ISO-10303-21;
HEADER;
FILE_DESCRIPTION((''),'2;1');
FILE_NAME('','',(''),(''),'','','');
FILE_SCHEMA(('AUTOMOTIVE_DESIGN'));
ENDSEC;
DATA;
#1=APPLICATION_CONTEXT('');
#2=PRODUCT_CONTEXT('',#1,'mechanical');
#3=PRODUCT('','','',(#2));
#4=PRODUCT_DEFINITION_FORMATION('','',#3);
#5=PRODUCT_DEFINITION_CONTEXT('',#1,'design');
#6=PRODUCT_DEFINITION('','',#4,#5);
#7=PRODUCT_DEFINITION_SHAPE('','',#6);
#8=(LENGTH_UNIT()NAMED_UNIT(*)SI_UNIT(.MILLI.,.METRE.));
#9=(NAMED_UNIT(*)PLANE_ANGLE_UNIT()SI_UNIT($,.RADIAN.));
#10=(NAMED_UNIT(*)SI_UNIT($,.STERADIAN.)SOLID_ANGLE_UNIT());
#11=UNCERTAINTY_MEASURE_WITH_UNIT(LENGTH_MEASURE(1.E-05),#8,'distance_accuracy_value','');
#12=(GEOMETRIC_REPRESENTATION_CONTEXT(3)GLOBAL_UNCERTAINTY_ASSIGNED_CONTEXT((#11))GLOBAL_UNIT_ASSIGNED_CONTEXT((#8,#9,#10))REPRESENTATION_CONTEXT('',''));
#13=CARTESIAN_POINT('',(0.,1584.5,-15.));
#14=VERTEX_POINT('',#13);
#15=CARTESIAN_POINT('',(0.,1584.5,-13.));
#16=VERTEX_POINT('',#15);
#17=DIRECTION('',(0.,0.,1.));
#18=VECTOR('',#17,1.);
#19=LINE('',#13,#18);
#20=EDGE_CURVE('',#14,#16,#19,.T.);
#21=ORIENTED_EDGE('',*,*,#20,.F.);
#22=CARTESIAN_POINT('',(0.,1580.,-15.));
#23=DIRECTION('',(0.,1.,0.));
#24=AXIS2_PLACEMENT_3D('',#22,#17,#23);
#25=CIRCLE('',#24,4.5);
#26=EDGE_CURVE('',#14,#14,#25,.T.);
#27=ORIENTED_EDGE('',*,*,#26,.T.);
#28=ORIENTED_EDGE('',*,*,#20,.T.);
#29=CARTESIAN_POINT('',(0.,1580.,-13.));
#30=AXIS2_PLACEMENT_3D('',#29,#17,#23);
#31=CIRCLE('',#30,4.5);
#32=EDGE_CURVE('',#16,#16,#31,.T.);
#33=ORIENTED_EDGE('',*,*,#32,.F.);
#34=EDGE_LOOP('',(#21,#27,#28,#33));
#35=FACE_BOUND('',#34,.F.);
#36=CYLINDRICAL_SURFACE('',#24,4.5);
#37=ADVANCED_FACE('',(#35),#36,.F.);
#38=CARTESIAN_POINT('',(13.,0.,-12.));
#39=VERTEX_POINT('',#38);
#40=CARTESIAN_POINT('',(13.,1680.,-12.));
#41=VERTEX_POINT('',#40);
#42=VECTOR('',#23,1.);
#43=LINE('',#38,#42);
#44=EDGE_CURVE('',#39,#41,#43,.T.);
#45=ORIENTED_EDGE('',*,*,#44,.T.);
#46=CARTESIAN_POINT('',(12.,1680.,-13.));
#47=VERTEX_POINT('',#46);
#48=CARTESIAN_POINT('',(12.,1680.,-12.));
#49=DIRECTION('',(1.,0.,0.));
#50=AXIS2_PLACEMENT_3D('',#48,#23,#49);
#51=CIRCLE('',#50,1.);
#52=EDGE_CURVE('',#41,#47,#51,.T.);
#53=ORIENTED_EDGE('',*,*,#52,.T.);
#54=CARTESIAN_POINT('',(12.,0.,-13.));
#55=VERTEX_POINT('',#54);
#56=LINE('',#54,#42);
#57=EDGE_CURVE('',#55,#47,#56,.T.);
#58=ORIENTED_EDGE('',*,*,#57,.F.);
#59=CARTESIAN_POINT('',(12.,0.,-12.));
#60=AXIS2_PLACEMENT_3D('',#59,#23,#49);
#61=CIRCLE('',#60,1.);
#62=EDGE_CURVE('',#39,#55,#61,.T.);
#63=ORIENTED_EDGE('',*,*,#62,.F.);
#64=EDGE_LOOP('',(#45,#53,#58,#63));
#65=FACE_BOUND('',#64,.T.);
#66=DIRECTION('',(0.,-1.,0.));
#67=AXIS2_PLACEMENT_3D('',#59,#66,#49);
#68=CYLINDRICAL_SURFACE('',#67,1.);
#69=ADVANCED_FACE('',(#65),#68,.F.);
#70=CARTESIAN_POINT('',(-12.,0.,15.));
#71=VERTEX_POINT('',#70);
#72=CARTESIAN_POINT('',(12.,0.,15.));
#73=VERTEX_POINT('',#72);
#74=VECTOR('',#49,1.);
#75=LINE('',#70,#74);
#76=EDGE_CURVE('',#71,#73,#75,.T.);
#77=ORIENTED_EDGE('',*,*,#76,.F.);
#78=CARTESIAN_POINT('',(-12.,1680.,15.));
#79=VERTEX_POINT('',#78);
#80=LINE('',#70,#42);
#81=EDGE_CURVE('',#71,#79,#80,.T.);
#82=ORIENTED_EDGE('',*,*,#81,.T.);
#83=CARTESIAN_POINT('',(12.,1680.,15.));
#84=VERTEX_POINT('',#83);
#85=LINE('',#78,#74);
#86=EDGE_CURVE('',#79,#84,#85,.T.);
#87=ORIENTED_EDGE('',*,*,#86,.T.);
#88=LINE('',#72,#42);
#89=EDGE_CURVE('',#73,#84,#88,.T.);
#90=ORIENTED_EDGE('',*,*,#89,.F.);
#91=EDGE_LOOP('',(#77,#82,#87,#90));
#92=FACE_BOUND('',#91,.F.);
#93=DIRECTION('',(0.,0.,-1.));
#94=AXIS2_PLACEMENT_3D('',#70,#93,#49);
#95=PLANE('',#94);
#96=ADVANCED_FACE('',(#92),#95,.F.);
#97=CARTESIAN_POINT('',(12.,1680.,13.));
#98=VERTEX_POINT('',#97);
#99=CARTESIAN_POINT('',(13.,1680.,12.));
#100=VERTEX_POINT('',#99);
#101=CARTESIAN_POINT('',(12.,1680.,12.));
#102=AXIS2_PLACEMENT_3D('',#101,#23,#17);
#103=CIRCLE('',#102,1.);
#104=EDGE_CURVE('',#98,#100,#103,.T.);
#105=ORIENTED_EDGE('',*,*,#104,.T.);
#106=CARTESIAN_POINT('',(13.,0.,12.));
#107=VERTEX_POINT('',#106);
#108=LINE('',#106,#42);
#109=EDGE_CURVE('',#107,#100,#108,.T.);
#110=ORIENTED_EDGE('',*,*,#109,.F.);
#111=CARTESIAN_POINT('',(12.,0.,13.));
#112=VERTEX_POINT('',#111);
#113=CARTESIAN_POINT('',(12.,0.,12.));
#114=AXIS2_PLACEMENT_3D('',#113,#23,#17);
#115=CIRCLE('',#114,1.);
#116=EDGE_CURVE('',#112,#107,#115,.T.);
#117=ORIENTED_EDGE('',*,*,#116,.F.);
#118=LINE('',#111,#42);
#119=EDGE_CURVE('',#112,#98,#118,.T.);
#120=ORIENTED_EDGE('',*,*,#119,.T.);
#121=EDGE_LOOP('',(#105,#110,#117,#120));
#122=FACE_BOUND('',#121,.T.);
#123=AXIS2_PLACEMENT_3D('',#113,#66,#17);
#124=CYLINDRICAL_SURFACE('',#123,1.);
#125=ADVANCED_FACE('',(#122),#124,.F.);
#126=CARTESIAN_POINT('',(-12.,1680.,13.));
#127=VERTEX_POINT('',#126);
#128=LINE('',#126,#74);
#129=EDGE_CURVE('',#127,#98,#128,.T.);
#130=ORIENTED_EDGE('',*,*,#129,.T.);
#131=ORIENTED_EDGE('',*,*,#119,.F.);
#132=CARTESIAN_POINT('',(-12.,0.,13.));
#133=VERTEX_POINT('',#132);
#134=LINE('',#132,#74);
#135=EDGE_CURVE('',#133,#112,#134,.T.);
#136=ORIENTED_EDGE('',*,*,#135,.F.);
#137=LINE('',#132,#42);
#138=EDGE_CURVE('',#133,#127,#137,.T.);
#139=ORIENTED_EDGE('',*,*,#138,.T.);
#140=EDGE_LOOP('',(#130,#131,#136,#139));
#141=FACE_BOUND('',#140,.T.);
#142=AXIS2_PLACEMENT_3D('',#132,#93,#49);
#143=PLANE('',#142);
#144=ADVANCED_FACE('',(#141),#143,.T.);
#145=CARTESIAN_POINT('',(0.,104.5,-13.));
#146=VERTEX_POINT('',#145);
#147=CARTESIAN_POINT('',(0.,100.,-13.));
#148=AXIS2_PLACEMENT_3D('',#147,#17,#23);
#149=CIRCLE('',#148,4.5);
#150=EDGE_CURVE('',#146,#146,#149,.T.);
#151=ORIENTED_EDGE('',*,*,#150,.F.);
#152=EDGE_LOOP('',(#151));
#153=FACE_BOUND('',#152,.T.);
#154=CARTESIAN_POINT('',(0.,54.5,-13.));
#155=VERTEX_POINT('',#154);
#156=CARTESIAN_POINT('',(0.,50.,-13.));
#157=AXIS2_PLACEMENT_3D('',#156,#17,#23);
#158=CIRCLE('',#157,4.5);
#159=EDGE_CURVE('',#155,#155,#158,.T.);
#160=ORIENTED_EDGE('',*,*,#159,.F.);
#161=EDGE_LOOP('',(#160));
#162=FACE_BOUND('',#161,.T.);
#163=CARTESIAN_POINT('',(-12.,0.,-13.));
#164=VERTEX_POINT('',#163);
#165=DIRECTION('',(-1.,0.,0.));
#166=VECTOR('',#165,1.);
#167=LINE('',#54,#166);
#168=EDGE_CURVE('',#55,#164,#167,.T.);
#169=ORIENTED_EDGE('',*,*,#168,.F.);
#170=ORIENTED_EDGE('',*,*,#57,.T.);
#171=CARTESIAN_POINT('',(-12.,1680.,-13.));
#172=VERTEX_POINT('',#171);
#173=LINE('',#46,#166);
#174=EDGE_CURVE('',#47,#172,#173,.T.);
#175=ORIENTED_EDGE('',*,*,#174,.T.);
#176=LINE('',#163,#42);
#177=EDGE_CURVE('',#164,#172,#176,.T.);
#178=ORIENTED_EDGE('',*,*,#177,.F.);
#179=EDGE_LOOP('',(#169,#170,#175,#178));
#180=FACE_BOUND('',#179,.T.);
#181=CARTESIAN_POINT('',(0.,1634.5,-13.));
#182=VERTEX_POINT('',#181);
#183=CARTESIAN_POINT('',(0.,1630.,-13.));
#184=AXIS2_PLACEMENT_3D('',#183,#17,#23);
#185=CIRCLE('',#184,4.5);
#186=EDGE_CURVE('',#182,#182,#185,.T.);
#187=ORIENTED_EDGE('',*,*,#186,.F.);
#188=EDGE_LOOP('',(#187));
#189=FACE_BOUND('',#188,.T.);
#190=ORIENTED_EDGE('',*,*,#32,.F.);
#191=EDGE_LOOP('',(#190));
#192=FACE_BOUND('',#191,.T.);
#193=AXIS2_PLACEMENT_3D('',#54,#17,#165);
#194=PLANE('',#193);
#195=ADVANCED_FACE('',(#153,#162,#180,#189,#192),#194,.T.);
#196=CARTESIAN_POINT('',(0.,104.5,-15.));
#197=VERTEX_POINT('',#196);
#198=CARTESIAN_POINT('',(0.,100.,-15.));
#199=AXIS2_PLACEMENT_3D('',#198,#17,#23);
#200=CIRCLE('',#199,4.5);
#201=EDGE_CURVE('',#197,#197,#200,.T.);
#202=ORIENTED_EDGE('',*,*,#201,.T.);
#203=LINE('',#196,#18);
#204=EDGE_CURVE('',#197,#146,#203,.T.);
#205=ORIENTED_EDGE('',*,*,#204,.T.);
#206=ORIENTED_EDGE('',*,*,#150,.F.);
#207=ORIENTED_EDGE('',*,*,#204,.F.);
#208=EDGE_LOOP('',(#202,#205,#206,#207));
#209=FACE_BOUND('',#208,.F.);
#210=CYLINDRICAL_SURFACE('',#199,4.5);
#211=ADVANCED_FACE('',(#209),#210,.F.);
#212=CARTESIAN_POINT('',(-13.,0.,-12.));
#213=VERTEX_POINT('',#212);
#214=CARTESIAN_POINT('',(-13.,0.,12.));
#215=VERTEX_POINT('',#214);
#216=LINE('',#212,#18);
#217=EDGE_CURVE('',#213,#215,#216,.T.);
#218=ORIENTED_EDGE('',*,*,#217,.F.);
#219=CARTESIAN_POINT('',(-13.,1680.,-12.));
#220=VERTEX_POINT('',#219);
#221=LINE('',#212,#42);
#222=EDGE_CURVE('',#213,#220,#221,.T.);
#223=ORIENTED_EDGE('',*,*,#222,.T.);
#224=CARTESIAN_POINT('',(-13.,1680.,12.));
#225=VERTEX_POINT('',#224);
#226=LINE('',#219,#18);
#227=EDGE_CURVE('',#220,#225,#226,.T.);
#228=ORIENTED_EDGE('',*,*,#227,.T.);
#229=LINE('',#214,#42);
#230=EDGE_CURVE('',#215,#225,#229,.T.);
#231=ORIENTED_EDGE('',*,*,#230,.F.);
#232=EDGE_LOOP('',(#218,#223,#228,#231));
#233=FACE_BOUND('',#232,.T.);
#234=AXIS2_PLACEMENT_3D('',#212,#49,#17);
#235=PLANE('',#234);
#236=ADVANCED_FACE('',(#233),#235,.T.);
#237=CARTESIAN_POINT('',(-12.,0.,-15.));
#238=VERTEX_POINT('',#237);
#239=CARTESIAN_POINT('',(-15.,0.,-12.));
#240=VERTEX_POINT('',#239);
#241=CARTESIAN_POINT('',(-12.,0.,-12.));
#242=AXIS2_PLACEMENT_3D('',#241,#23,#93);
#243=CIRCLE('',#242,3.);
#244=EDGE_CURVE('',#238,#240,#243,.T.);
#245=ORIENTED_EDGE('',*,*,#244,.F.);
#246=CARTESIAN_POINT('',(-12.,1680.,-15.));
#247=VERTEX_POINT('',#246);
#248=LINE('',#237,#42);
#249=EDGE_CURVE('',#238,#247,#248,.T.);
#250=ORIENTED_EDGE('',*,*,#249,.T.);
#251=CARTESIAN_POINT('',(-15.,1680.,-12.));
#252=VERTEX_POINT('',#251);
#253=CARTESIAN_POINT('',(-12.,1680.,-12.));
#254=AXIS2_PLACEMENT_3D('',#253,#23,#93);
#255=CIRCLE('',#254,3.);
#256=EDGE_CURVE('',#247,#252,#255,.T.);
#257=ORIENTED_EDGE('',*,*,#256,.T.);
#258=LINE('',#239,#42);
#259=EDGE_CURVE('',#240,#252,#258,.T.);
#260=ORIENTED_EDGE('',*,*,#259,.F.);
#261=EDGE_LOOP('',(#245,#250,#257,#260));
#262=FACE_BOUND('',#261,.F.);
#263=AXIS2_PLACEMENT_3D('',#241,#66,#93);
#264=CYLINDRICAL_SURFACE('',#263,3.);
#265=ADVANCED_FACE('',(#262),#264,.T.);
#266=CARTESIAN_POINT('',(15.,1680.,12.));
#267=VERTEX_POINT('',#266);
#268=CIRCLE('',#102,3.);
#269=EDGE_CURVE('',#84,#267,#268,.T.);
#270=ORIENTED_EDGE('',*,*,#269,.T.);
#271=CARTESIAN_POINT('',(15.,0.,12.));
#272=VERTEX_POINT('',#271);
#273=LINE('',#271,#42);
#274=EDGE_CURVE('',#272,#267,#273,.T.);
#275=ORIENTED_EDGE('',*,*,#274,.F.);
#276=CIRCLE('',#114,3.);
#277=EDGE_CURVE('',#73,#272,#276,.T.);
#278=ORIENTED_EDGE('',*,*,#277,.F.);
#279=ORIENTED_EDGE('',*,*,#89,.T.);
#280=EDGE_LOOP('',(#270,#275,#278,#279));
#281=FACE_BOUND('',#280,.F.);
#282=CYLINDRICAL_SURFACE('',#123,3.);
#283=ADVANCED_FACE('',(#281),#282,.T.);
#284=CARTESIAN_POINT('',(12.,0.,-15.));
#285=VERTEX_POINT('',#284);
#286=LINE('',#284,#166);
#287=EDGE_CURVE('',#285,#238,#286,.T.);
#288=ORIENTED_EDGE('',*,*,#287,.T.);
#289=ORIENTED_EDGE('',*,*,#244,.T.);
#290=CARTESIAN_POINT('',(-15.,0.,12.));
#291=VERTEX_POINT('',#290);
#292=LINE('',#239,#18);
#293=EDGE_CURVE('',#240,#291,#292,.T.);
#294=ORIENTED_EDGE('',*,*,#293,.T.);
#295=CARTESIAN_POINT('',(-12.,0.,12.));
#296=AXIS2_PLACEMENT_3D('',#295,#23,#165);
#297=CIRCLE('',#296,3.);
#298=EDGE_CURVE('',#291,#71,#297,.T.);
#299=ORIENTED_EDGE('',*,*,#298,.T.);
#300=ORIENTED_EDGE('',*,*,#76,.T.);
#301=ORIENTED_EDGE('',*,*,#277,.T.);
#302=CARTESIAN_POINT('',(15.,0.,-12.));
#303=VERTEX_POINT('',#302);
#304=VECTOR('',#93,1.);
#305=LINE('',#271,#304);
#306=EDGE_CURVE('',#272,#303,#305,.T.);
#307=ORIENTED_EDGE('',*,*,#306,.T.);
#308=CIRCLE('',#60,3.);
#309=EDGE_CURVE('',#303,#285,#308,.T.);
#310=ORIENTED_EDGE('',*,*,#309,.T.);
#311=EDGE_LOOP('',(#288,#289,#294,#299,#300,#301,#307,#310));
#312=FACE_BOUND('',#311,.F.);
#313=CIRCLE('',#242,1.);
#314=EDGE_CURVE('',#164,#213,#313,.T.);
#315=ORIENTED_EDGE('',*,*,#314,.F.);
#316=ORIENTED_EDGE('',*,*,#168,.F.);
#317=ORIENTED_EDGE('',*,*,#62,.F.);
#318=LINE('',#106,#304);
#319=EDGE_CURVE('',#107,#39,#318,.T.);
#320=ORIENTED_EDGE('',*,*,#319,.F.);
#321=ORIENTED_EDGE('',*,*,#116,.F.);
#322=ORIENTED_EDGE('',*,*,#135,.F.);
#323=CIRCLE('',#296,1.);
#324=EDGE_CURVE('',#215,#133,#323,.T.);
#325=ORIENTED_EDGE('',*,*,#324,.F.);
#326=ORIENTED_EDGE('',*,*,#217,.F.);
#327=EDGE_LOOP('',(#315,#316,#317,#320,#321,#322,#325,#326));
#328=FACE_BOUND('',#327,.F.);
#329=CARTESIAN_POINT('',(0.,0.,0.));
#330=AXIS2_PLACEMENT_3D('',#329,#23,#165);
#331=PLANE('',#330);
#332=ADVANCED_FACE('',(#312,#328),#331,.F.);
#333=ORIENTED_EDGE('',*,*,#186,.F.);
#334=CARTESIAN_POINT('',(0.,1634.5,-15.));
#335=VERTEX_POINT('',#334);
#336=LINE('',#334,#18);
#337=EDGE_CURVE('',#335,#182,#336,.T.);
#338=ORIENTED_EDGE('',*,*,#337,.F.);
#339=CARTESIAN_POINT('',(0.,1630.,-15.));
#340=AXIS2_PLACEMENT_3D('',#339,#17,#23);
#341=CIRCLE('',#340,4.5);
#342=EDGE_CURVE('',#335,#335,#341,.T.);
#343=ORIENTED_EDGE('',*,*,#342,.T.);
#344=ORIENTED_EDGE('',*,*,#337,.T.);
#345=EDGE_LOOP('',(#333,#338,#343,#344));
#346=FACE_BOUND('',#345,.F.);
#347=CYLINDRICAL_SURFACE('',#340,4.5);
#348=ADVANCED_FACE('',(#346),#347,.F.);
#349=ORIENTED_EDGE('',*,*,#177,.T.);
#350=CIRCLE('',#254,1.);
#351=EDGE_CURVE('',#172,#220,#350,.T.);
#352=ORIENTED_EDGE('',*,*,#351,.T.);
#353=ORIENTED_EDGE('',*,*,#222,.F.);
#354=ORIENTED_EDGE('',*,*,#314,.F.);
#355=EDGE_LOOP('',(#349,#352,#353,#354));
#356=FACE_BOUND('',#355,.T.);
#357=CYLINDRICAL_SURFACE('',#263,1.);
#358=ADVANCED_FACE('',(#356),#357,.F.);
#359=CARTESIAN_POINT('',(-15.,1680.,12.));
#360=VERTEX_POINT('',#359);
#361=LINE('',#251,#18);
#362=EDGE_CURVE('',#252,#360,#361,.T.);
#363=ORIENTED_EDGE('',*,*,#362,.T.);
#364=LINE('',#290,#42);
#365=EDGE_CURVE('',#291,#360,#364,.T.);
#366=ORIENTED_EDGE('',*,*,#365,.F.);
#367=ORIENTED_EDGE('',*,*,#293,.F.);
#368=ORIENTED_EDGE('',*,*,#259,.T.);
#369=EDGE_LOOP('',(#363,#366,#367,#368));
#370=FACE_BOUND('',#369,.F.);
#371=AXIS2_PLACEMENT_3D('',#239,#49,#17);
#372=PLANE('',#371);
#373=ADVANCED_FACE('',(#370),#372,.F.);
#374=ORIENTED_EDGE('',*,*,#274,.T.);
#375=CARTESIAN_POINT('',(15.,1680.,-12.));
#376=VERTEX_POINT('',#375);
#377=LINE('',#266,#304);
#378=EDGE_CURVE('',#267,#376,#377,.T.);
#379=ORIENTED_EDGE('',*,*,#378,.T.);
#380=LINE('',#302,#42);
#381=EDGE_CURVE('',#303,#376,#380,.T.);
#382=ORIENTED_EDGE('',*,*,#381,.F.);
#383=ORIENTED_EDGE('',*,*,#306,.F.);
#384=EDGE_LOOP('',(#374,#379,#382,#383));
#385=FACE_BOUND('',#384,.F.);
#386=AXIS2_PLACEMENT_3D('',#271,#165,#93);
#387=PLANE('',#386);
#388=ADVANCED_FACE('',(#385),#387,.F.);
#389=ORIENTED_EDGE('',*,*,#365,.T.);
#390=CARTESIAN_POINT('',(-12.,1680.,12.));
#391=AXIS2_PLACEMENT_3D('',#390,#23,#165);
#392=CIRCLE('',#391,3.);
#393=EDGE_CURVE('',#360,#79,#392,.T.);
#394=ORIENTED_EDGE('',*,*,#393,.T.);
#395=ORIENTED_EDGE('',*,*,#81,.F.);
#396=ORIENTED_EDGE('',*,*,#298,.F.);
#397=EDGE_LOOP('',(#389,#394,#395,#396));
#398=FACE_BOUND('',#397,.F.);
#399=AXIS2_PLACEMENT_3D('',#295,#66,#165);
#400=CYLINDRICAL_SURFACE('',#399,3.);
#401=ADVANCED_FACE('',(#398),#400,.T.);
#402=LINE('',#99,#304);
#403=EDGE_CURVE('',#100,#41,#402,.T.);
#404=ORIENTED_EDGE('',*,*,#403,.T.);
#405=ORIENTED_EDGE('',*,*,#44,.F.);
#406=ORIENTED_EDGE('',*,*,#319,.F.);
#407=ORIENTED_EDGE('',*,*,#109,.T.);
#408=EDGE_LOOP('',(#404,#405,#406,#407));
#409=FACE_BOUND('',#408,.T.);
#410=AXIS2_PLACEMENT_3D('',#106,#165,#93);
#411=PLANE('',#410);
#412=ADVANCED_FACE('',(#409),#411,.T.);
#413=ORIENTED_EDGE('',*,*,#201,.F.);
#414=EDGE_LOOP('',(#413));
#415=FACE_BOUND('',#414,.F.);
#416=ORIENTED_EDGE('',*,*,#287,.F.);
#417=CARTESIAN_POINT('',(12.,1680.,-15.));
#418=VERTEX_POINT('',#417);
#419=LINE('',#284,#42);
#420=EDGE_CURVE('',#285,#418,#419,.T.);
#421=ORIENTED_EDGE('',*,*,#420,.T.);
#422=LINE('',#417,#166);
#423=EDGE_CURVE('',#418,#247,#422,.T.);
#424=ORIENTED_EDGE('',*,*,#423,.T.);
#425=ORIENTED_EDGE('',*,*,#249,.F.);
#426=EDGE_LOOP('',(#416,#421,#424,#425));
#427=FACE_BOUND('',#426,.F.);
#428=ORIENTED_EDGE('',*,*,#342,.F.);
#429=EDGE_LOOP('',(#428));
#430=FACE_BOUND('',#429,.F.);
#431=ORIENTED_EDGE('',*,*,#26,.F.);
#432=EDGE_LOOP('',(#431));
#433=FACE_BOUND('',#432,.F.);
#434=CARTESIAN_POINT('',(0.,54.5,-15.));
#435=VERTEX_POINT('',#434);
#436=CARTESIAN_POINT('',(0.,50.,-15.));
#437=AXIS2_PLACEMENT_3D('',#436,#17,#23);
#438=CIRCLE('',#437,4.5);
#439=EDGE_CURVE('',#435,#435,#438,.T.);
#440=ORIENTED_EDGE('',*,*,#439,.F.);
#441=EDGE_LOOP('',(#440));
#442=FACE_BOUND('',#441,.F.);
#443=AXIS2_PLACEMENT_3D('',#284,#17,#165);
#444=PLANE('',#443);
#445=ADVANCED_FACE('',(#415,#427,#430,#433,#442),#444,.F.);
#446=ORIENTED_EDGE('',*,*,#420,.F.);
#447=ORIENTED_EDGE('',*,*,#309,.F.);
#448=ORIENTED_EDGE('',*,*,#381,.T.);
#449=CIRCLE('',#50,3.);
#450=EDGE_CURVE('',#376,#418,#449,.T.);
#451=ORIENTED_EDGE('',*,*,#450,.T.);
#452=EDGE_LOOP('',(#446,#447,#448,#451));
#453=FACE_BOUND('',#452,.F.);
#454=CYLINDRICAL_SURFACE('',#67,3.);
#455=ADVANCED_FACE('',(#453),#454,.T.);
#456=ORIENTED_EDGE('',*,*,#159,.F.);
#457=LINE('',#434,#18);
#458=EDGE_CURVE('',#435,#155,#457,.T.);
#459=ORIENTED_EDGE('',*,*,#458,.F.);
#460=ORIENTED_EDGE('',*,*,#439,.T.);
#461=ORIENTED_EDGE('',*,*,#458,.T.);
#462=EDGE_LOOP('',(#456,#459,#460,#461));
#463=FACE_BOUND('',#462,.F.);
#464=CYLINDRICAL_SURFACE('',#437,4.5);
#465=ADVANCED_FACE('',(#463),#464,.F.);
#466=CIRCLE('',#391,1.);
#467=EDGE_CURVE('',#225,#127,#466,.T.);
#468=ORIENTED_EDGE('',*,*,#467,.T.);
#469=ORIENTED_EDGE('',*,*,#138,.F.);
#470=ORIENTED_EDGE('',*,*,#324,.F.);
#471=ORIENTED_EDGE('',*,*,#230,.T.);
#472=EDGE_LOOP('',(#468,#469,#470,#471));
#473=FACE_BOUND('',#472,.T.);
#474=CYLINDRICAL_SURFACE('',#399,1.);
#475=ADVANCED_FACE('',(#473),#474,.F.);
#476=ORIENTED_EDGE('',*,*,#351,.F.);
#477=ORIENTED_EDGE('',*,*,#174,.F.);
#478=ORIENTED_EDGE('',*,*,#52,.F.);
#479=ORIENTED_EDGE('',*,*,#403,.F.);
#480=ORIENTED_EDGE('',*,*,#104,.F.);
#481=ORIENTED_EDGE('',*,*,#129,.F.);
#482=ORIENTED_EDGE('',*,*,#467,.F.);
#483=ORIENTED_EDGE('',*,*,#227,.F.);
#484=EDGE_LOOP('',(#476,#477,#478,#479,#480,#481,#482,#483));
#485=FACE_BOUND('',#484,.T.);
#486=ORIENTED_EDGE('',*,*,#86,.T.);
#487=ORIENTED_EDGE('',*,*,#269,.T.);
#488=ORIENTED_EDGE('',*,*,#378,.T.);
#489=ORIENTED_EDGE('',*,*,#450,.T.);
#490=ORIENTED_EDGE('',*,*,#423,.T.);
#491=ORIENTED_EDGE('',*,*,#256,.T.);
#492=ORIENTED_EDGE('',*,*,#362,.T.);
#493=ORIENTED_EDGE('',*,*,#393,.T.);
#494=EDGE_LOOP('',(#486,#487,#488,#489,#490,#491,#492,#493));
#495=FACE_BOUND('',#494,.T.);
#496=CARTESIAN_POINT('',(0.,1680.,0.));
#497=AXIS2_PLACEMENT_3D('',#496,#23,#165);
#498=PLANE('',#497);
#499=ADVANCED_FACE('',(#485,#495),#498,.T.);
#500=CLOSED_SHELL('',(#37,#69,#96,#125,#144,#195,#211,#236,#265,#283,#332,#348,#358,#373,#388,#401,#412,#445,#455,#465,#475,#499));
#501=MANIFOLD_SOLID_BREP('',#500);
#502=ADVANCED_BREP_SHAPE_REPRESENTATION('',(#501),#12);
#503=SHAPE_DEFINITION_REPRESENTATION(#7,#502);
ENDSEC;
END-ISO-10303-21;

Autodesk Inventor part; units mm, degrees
ref_plane "XZ Plane" through (0, 0, 0) normal (0, 1, 0) x (-1, 0, 0)
sketch "Sketch1" plane through (0, 0, 0) normal (0, 1, 0) x (-1, 0, 0)
  line L0 (-12, 14) -> (12, 14) construction
  line L1 (14, 12) -> (14, -12) construction
  line L2 (12, -14) -> (-12, -14) construction
  line L3 (-14, -12) -> (-14, 12) construction
  line L4 (-14, 14) -> (14, -14) construction
  line L5 (14, 14) -> (-14, -14) construction
  arc A0 (14, 12) -> (12, 14) centre (12, 12) ccw construction
  arc A1 (12, -14) -> (14, -12) centre (12, -12) ccw construction
  arc A2 (-14, -12) -> (-12, -14) centre (-12, -12) ccw construction
  arc A3 (-12, 14) -> (-14, 12) centre (-12, 12) ccw construction
  line L6 (-12, -15) -> (12, -15)
  arc A4 (12, -15) -> (15, -12) centre (12, -12) ccw
  line L7 (15, -12) -> (15, 12)
  arc A5 (15, 12) -> (12, 15) centre (12, 12) ccw
  line L8 (12, 15) -> (-12, 15)
  arc A6 (-12, 15) -> (-15, 12) centre (-12, 12) ccw
  line L9 (-15, 12) -> (-15, -12)
  arc A7 (-15, -12) -> (-12, -15) centre (-12, -12) ccw
  line L10 (13, -12) -> (13, 12)
  arc A8 (13, 12) -> (12, 13) centre (12, 12) ccw
  line L11 (12, 13) -> (-12, 13)
  arc A9 (-12, 13) -> (-13, 12) centre (-12, 12) ccw
  line L12 (-13, 12) -> (-13, -12)
  arc A10 (-13, -12) -> (-12, -13) centre (-12, -12) ccw
  line L13 (-12, -13) -> (12, -13)
  arc A11 (12, -13) -> (13, -12) centre (12, -12) ccw
  point P0 (0, 0)
  point P1 (0, 0)
  point P2 (0, 0)
  dimension "d10" = 2
  dimension "depth" = 30
  dimension "width" = 30
  dimension "thickness" = 2
extrude "Extrusion1" add sketch "Sketch1" along normal blind 1680
sketch "Sketch2" plane through (12, 0, -15) normal (0, 0, -1) x (-1, 0, 0)
  line L0 (12, -336) -> (12, 2016) construction
  line L1 (0, 0) -> (24, 0) projected
  line L2 (0, 1680) -> (24, 1680) projected
  point P0 (12, 0)
  point P1 (12, 50)
  point P2 (12, 100)
  point P3 (12, 1630)
  point P4 (12, 1580)
  dimension "d16" = 50
  dimension "d17" = 50
  dimension "d18" = 50
  dimension "d20" = 50
hole "Hole1" at (0, 50, -15) at (0, 100, -15) at (0, 1630, -15) at (0, 1580, -15) direction (0, 0, 1) diameter 9 depth 20.2 tip angle 118
equation "\"d10\" = thickness"
properties part number "Przedluzka L1680" material "Steel"
